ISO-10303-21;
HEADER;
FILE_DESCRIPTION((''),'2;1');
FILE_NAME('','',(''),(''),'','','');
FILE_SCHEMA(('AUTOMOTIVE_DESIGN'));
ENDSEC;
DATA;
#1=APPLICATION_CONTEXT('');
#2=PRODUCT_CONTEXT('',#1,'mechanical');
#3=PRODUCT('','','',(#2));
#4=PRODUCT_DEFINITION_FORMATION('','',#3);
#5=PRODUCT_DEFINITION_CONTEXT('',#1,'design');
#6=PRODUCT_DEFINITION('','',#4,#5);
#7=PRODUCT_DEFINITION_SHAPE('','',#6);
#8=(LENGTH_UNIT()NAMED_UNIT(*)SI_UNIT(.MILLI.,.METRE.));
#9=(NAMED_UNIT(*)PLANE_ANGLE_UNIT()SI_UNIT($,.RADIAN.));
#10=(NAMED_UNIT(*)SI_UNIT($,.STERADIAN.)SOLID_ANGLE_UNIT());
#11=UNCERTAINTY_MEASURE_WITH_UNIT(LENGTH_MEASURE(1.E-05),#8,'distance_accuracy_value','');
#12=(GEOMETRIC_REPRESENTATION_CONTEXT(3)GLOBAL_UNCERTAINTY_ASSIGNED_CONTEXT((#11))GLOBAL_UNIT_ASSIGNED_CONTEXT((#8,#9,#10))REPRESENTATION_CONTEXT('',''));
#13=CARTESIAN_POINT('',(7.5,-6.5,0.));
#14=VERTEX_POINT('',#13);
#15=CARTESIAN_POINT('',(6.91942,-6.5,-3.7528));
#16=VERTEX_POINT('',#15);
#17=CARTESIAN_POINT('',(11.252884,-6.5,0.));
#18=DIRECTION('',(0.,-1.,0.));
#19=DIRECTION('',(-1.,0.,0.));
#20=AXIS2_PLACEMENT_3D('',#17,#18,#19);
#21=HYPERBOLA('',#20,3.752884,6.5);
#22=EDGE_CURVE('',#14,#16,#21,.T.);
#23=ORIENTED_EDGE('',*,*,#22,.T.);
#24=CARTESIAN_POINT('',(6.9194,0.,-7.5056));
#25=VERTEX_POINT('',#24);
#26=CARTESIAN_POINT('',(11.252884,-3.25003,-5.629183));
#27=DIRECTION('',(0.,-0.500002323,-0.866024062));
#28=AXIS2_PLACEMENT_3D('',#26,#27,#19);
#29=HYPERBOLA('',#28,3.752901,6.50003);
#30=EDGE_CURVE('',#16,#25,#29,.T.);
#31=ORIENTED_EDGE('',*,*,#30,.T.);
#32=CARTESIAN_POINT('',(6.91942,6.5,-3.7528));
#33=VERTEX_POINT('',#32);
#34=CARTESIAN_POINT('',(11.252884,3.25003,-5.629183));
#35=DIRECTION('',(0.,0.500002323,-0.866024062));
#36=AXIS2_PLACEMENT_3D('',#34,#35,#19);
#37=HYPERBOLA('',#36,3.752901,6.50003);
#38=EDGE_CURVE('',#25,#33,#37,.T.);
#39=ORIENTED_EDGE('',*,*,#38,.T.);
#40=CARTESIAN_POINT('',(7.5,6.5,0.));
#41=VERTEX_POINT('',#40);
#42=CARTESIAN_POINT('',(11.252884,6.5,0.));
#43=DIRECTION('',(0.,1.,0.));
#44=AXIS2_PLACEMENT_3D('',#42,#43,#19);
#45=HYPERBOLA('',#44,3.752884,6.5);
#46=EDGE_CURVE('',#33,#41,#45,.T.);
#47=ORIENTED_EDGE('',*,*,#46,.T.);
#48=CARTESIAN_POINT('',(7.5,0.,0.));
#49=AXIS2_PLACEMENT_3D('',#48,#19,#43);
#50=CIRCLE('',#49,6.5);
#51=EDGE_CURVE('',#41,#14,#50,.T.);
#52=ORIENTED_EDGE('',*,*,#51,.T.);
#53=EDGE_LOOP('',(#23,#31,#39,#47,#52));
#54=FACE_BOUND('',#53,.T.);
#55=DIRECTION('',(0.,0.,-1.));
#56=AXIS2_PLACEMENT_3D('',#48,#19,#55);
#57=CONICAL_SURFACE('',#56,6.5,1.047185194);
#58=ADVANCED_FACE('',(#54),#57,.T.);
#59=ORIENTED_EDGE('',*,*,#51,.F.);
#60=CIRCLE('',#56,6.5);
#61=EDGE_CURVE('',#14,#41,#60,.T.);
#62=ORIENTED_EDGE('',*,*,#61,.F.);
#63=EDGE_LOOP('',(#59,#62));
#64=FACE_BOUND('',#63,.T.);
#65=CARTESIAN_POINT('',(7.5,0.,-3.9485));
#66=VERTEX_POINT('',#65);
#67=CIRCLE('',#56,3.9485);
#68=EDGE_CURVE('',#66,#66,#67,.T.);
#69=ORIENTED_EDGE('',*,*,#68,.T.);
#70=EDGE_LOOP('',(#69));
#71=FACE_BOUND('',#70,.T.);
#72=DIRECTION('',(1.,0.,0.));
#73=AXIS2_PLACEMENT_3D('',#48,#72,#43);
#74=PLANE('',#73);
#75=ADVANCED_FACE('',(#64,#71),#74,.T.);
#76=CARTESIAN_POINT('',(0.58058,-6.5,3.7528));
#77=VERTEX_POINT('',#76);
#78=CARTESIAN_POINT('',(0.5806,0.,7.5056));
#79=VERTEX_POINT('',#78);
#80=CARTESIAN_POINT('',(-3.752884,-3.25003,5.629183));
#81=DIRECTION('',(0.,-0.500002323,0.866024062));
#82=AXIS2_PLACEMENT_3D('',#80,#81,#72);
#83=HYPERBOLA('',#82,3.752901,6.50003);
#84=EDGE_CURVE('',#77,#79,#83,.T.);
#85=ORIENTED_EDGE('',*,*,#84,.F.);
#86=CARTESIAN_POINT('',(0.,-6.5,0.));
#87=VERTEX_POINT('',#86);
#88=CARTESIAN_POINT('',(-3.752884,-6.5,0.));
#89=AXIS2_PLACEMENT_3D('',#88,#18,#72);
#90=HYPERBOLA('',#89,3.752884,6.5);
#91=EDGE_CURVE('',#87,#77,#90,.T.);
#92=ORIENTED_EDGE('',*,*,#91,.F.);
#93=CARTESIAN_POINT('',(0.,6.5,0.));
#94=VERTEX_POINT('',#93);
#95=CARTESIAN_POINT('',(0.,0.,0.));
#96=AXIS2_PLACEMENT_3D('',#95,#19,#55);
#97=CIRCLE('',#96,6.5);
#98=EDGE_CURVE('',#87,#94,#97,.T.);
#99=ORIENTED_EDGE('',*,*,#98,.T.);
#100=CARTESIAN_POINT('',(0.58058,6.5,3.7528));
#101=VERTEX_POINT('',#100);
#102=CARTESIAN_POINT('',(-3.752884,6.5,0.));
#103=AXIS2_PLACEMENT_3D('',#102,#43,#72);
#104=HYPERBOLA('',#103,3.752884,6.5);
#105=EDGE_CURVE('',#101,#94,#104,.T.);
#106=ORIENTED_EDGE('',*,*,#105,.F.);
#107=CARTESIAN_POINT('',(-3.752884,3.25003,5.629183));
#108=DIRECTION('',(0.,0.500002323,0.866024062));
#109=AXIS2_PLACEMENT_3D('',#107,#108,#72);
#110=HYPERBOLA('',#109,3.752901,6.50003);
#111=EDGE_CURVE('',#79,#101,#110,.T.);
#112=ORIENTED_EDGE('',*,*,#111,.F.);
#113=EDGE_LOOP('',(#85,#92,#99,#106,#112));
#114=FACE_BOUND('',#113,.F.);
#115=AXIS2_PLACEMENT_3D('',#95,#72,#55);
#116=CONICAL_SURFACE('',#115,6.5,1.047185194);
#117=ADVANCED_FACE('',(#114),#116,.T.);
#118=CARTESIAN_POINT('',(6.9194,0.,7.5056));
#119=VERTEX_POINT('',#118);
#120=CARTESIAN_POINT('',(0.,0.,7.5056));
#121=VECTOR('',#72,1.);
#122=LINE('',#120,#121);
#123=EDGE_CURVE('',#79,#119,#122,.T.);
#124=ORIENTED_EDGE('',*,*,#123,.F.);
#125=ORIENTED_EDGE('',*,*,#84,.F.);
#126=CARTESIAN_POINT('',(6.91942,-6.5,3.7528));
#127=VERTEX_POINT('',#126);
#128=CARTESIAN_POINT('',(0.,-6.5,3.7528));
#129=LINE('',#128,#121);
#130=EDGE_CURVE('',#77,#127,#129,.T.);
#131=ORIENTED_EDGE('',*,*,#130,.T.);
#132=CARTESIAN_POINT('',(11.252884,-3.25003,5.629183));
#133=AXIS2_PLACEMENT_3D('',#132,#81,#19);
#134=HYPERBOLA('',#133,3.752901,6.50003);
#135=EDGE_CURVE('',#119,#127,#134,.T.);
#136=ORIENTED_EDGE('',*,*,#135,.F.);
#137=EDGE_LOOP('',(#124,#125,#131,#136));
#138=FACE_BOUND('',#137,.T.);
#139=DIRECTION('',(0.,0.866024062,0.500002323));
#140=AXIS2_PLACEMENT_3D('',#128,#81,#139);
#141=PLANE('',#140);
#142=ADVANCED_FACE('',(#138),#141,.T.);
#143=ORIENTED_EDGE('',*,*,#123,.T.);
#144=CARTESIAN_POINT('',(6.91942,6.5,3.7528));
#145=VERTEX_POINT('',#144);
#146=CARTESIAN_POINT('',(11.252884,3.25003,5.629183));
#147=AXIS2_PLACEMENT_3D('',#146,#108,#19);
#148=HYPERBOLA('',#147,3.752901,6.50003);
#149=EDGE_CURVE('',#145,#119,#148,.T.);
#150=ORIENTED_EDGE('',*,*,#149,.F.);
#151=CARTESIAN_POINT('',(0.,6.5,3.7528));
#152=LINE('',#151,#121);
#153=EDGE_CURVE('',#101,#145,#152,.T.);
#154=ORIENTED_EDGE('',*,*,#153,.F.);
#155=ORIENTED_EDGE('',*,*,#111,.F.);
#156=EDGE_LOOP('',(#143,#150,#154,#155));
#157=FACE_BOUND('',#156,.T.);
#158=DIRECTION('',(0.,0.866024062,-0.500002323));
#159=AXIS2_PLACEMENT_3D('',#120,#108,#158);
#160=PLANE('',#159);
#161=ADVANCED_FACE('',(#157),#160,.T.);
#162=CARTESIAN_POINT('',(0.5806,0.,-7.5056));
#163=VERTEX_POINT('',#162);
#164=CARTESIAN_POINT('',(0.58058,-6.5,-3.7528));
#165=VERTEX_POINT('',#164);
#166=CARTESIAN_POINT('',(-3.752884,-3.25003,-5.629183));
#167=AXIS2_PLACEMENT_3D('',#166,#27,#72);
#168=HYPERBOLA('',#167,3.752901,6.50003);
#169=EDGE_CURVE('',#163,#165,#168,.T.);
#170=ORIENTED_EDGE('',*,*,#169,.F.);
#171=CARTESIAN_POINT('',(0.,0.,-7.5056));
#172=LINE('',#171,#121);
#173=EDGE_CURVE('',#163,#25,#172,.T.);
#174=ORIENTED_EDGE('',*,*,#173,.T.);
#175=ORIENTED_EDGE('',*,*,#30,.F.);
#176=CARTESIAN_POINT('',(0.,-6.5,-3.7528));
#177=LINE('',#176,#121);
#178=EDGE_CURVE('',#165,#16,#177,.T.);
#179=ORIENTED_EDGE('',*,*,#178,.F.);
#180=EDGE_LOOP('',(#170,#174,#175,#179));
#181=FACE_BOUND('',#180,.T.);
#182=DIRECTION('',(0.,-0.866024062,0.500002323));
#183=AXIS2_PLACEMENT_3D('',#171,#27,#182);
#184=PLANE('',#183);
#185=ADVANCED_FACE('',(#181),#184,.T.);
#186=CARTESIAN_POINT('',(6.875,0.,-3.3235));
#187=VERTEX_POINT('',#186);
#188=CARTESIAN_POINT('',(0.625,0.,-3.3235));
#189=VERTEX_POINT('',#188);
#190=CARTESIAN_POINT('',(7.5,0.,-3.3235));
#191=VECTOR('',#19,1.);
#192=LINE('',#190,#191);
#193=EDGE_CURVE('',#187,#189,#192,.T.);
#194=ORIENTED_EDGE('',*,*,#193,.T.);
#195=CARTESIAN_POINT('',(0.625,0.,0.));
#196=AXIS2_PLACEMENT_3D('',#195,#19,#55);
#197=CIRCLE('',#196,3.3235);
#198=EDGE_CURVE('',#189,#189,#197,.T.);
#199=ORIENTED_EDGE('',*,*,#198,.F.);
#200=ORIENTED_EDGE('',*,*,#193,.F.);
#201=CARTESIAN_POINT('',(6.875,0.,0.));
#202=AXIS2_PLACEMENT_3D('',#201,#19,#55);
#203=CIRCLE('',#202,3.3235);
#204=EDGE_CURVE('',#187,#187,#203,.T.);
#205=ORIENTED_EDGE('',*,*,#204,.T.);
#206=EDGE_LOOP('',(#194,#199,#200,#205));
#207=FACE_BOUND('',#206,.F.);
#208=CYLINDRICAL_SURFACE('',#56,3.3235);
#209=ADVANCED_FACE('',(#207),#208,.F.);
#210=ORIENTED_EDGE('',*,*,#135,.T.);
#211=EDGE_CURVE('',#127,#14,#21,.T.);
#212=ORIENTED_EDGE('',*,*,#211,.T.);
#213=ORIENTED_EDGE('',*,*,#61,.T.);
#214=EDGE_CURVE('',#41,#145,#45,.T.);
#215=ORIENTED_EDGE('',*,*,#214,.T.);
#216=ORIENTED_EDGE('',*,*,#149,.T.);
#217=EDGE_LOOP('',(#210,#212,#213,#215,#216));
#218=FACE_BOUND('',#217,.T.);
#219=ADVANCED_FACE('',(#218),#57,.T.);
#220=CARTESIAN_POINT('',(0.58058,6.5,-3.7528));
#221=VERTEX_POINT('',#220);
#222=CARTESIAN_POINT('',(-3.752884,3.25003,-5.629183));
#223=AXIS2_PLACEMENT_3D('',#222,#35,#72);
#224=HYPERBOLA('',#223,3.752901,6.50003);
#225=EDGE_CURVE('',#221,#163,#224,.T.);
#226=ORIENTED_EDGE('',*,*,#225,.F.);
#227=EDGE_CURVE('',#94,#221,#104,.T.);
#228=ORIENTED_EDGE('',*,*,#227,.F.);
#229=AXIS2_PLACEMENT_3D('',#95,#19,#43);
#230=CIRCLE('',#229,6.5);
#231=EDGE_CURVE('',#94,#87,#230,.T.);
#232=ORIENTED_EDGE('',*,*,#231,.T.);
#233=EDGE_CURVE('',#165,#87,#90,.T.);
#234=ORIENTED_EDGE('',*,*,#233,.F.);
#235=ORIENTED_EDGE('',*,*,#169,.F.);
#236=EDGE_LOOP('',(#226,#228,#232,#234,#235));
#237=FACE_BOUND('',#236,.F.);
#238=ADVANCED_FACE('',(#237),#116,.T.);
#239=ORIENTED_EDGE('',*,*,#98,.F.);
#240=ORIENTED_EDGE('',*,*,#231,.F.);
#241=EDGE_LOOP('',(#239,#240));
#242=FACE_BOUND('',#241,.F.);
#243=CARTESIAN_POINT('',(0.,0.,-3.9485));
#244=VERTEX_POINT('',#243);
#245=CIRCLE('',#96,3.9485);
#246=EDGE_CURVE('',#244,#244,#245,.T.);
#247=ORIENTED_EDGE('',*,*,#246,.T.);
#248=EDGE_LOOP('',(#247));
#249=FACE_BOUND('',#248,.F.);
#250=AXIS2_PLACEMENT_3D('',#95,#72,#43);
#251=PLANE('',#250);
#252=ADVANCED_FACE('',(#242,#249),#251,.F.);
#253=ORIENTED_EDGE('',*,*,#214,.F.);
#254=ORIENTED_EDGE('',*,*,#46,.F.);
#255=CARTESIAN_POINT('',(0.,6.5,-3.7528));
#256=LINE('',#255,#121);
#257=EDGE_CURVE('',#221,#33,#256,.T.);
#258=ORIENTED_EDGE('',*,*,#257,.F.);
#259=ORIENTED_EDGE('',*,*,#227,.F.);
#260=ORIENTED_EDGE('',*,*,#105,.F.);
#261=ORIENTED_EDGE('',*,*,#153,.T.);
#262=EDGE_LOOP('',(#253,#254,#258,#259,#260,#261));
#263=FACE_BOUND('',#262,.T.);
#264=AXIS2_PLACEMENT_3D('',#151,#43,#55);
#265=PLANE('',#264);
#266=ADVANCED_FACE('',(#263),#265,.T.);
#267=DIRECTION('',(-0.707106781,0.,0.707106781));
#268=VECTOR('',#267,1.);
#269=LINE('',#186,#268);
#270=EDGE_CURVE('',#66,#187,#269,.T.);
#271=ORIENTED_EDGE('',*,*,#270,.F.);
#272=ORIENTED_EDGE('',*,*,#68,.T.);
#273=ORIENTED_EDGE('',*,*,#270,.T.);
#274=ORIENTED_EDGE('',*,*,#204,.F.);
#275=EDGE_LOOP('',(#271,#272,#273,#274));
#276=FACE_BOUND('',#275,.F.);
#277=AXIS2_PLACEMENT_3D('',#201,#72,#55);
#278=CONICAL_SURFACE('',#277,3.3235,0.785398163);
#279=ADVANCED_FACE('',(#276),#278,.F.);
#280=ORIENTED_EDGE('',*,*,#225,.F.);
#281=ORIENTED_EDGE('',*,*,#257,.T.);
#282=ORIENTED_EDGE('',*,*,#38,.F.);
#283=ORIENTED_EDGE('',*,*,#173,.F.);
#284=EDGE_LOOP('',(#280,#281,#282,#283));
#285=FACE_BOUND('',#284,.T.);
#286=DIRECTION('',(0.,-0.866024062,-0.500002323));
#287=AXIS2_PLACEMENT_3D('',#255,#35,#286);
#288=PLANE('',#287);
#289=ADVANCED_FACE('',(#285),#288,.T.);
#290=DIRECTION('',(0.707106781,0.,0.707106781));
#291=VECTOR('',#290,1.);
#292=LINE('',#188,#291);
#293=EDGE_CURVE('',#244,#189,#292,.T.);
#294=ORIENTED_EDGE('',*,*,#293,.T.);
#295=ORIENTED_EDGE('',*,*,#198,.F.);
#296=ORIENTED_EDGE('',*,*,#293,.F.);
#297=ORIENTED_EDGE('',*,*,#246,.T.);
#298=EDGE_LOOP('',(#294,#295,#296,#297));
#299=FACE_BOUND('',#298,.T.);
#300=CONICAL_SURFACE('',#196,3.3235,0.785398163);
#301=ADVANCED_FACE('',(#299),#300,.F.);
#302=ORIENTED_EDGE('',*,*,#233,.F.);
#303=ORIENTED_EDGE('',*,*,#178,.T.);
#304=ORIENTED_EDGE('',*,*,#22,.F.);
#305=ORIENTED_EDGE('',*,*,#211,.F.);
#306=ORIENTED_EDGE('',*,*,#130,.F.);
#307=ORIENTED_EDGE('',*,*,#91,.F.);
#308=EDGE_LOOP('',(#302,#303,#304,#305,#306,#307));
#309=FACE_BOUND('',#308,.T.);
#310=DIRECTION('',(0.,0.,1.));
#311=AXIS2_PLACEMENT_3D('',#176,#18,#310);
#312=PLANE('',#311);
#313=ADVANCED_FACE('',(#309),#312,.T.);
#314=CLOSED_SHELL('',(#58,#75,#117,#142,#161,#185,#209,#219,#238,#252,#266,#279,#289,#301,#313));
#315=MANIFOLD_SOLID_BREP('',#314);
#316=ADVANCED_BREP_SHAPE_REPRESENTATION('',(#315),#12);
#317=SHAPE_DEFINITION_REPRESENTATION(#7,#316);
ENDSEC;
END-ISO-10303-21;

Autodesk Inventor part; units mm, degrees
sketch "Sketch1" plane through (0, 0, 0) normal (1, 0, 0) x (0, 1, 0)
  line L0 (6.5, 3.7528) -> (6.5, -3.7528)
  line L1 (6.5, -3.7528) -> (0, -7.5056)
  line L2 (0, -7.5056) -> (-6.5, -3.7528)
  line L3 (-6.5, -3.7528) -> (-6.5, 3.7528)
  line L4 (-6.5, 3.7528) -> (0, 7.5056)
  line L5 (0, 7.5056) -> (6.5, 3.7528)
  circle A0 centre (0, 0) radius 6.5 construction
  dimension "d0" = 13
extrude "Extrusion1" add sketch "Sketch1" along normal blind 7.5
sketch "Sketch2" plane through (7.5, 0, 0) normal (1, 0, 0) x (0, 1, 0)
  line L0 (-6.5, 3.7528) -> (0, 7.5056) projected
  line L1 (0, -7.5056) -> (-6.5, -3.7528) projected
  line L2 (-6.5, 3.7528) -> (6.5, -3.7528) construction
  line L3 (-6.5, -3.7528) -> (6.5, 3.7528) construction
  point P0 (0, 0)
hole "Hole1" at (7.5, 0, 0) direction (-1, 0, 0) diameter 6.647 end through all thread size "M8x1.25" class "6H" standard "ISO Metric profile"
chamfer "Chamfer1" distance 0.625 angle 45 2 edges at (7.5, 0, 3.3235) (0, 0, 3.3235)
sketch "Sketch3" plane through (0, 0, 0) normal (0, 1, 0) x (-1, 0, 0)
  line L0 (-9.1715, 0) -> (2.5289, 0) projected
  line L1 (-5.7048, 0) -> (0.8574, 0)
  line L2 (-7.5, 0) -> (-7.5, -7.5056)
  line L3 (-7.5, -7.5056) -> (0, -7.5056)
  line L4 (0, -7.5056) -> (0, 0)
  line L5 (-7.5, -3.7528) -> (-7.5, -7.5056) projected
  line L6 (0, -3.7528) -> (0, -7.5056) projected
  line L7 (0, -7.5056) -> (-7.5, -7.5056) projected
  line L8 (-7.5, -6.5) -> (-6.9194, -7.5056)
  line L9 (-7.5, -7.5056) -> (-7.5, -6.5)
  line L10 (-7.5, -7.5056) -> (-6.9194, -7.5056)
  line L11 (0, -6.5) -> (-0.5806, -7.5056)
  line L12 (-0.5806, -7.5056) -> (0, -7.5056)
  line L13 (0, -7.5056) -> (0, -6.5)
  dimension "d32" = 6.5
  dimension "d33" = 30
revolve "Revolution1" cut sketch "Sketch3" angle 360 about axis through (0, 0, 0) along (-1, 0, 0) contours L8 L3 L2 | L4 L3 L11
ref_plane "MSC_PT1" through (7.5, 0, 0) normal (1, 0, 0) x (0, 1, 0)
ref_plane "MSC_PT2" through (0, 0, 0) normal (-1, 0, 0) x (0, -1, 0)
ref_plane "MSC_PF1" through (0, 0, 0) normal (1, 0, 0) x (0, 1, 0)
equation "\"d0\" = Smax"
equation "\"d1\" = Mmax"
equation "\"d10\" = 0.5 * PTC"
equation "\"d32\" = 0.5 * Smax"
equation "\"NND\" = 8"
equation "\"Smax\" = 13"
equation "\"Mmax\" = 7.5"
equation "\"PTC\" = 1.25"
equation "\"THREADDIA\" = NND"
equation "\"TEMPLATE\" = 1.2345"
properties part number "ANSI B18.2.4.2M - M8x1.25" material "Steel, Mild"
